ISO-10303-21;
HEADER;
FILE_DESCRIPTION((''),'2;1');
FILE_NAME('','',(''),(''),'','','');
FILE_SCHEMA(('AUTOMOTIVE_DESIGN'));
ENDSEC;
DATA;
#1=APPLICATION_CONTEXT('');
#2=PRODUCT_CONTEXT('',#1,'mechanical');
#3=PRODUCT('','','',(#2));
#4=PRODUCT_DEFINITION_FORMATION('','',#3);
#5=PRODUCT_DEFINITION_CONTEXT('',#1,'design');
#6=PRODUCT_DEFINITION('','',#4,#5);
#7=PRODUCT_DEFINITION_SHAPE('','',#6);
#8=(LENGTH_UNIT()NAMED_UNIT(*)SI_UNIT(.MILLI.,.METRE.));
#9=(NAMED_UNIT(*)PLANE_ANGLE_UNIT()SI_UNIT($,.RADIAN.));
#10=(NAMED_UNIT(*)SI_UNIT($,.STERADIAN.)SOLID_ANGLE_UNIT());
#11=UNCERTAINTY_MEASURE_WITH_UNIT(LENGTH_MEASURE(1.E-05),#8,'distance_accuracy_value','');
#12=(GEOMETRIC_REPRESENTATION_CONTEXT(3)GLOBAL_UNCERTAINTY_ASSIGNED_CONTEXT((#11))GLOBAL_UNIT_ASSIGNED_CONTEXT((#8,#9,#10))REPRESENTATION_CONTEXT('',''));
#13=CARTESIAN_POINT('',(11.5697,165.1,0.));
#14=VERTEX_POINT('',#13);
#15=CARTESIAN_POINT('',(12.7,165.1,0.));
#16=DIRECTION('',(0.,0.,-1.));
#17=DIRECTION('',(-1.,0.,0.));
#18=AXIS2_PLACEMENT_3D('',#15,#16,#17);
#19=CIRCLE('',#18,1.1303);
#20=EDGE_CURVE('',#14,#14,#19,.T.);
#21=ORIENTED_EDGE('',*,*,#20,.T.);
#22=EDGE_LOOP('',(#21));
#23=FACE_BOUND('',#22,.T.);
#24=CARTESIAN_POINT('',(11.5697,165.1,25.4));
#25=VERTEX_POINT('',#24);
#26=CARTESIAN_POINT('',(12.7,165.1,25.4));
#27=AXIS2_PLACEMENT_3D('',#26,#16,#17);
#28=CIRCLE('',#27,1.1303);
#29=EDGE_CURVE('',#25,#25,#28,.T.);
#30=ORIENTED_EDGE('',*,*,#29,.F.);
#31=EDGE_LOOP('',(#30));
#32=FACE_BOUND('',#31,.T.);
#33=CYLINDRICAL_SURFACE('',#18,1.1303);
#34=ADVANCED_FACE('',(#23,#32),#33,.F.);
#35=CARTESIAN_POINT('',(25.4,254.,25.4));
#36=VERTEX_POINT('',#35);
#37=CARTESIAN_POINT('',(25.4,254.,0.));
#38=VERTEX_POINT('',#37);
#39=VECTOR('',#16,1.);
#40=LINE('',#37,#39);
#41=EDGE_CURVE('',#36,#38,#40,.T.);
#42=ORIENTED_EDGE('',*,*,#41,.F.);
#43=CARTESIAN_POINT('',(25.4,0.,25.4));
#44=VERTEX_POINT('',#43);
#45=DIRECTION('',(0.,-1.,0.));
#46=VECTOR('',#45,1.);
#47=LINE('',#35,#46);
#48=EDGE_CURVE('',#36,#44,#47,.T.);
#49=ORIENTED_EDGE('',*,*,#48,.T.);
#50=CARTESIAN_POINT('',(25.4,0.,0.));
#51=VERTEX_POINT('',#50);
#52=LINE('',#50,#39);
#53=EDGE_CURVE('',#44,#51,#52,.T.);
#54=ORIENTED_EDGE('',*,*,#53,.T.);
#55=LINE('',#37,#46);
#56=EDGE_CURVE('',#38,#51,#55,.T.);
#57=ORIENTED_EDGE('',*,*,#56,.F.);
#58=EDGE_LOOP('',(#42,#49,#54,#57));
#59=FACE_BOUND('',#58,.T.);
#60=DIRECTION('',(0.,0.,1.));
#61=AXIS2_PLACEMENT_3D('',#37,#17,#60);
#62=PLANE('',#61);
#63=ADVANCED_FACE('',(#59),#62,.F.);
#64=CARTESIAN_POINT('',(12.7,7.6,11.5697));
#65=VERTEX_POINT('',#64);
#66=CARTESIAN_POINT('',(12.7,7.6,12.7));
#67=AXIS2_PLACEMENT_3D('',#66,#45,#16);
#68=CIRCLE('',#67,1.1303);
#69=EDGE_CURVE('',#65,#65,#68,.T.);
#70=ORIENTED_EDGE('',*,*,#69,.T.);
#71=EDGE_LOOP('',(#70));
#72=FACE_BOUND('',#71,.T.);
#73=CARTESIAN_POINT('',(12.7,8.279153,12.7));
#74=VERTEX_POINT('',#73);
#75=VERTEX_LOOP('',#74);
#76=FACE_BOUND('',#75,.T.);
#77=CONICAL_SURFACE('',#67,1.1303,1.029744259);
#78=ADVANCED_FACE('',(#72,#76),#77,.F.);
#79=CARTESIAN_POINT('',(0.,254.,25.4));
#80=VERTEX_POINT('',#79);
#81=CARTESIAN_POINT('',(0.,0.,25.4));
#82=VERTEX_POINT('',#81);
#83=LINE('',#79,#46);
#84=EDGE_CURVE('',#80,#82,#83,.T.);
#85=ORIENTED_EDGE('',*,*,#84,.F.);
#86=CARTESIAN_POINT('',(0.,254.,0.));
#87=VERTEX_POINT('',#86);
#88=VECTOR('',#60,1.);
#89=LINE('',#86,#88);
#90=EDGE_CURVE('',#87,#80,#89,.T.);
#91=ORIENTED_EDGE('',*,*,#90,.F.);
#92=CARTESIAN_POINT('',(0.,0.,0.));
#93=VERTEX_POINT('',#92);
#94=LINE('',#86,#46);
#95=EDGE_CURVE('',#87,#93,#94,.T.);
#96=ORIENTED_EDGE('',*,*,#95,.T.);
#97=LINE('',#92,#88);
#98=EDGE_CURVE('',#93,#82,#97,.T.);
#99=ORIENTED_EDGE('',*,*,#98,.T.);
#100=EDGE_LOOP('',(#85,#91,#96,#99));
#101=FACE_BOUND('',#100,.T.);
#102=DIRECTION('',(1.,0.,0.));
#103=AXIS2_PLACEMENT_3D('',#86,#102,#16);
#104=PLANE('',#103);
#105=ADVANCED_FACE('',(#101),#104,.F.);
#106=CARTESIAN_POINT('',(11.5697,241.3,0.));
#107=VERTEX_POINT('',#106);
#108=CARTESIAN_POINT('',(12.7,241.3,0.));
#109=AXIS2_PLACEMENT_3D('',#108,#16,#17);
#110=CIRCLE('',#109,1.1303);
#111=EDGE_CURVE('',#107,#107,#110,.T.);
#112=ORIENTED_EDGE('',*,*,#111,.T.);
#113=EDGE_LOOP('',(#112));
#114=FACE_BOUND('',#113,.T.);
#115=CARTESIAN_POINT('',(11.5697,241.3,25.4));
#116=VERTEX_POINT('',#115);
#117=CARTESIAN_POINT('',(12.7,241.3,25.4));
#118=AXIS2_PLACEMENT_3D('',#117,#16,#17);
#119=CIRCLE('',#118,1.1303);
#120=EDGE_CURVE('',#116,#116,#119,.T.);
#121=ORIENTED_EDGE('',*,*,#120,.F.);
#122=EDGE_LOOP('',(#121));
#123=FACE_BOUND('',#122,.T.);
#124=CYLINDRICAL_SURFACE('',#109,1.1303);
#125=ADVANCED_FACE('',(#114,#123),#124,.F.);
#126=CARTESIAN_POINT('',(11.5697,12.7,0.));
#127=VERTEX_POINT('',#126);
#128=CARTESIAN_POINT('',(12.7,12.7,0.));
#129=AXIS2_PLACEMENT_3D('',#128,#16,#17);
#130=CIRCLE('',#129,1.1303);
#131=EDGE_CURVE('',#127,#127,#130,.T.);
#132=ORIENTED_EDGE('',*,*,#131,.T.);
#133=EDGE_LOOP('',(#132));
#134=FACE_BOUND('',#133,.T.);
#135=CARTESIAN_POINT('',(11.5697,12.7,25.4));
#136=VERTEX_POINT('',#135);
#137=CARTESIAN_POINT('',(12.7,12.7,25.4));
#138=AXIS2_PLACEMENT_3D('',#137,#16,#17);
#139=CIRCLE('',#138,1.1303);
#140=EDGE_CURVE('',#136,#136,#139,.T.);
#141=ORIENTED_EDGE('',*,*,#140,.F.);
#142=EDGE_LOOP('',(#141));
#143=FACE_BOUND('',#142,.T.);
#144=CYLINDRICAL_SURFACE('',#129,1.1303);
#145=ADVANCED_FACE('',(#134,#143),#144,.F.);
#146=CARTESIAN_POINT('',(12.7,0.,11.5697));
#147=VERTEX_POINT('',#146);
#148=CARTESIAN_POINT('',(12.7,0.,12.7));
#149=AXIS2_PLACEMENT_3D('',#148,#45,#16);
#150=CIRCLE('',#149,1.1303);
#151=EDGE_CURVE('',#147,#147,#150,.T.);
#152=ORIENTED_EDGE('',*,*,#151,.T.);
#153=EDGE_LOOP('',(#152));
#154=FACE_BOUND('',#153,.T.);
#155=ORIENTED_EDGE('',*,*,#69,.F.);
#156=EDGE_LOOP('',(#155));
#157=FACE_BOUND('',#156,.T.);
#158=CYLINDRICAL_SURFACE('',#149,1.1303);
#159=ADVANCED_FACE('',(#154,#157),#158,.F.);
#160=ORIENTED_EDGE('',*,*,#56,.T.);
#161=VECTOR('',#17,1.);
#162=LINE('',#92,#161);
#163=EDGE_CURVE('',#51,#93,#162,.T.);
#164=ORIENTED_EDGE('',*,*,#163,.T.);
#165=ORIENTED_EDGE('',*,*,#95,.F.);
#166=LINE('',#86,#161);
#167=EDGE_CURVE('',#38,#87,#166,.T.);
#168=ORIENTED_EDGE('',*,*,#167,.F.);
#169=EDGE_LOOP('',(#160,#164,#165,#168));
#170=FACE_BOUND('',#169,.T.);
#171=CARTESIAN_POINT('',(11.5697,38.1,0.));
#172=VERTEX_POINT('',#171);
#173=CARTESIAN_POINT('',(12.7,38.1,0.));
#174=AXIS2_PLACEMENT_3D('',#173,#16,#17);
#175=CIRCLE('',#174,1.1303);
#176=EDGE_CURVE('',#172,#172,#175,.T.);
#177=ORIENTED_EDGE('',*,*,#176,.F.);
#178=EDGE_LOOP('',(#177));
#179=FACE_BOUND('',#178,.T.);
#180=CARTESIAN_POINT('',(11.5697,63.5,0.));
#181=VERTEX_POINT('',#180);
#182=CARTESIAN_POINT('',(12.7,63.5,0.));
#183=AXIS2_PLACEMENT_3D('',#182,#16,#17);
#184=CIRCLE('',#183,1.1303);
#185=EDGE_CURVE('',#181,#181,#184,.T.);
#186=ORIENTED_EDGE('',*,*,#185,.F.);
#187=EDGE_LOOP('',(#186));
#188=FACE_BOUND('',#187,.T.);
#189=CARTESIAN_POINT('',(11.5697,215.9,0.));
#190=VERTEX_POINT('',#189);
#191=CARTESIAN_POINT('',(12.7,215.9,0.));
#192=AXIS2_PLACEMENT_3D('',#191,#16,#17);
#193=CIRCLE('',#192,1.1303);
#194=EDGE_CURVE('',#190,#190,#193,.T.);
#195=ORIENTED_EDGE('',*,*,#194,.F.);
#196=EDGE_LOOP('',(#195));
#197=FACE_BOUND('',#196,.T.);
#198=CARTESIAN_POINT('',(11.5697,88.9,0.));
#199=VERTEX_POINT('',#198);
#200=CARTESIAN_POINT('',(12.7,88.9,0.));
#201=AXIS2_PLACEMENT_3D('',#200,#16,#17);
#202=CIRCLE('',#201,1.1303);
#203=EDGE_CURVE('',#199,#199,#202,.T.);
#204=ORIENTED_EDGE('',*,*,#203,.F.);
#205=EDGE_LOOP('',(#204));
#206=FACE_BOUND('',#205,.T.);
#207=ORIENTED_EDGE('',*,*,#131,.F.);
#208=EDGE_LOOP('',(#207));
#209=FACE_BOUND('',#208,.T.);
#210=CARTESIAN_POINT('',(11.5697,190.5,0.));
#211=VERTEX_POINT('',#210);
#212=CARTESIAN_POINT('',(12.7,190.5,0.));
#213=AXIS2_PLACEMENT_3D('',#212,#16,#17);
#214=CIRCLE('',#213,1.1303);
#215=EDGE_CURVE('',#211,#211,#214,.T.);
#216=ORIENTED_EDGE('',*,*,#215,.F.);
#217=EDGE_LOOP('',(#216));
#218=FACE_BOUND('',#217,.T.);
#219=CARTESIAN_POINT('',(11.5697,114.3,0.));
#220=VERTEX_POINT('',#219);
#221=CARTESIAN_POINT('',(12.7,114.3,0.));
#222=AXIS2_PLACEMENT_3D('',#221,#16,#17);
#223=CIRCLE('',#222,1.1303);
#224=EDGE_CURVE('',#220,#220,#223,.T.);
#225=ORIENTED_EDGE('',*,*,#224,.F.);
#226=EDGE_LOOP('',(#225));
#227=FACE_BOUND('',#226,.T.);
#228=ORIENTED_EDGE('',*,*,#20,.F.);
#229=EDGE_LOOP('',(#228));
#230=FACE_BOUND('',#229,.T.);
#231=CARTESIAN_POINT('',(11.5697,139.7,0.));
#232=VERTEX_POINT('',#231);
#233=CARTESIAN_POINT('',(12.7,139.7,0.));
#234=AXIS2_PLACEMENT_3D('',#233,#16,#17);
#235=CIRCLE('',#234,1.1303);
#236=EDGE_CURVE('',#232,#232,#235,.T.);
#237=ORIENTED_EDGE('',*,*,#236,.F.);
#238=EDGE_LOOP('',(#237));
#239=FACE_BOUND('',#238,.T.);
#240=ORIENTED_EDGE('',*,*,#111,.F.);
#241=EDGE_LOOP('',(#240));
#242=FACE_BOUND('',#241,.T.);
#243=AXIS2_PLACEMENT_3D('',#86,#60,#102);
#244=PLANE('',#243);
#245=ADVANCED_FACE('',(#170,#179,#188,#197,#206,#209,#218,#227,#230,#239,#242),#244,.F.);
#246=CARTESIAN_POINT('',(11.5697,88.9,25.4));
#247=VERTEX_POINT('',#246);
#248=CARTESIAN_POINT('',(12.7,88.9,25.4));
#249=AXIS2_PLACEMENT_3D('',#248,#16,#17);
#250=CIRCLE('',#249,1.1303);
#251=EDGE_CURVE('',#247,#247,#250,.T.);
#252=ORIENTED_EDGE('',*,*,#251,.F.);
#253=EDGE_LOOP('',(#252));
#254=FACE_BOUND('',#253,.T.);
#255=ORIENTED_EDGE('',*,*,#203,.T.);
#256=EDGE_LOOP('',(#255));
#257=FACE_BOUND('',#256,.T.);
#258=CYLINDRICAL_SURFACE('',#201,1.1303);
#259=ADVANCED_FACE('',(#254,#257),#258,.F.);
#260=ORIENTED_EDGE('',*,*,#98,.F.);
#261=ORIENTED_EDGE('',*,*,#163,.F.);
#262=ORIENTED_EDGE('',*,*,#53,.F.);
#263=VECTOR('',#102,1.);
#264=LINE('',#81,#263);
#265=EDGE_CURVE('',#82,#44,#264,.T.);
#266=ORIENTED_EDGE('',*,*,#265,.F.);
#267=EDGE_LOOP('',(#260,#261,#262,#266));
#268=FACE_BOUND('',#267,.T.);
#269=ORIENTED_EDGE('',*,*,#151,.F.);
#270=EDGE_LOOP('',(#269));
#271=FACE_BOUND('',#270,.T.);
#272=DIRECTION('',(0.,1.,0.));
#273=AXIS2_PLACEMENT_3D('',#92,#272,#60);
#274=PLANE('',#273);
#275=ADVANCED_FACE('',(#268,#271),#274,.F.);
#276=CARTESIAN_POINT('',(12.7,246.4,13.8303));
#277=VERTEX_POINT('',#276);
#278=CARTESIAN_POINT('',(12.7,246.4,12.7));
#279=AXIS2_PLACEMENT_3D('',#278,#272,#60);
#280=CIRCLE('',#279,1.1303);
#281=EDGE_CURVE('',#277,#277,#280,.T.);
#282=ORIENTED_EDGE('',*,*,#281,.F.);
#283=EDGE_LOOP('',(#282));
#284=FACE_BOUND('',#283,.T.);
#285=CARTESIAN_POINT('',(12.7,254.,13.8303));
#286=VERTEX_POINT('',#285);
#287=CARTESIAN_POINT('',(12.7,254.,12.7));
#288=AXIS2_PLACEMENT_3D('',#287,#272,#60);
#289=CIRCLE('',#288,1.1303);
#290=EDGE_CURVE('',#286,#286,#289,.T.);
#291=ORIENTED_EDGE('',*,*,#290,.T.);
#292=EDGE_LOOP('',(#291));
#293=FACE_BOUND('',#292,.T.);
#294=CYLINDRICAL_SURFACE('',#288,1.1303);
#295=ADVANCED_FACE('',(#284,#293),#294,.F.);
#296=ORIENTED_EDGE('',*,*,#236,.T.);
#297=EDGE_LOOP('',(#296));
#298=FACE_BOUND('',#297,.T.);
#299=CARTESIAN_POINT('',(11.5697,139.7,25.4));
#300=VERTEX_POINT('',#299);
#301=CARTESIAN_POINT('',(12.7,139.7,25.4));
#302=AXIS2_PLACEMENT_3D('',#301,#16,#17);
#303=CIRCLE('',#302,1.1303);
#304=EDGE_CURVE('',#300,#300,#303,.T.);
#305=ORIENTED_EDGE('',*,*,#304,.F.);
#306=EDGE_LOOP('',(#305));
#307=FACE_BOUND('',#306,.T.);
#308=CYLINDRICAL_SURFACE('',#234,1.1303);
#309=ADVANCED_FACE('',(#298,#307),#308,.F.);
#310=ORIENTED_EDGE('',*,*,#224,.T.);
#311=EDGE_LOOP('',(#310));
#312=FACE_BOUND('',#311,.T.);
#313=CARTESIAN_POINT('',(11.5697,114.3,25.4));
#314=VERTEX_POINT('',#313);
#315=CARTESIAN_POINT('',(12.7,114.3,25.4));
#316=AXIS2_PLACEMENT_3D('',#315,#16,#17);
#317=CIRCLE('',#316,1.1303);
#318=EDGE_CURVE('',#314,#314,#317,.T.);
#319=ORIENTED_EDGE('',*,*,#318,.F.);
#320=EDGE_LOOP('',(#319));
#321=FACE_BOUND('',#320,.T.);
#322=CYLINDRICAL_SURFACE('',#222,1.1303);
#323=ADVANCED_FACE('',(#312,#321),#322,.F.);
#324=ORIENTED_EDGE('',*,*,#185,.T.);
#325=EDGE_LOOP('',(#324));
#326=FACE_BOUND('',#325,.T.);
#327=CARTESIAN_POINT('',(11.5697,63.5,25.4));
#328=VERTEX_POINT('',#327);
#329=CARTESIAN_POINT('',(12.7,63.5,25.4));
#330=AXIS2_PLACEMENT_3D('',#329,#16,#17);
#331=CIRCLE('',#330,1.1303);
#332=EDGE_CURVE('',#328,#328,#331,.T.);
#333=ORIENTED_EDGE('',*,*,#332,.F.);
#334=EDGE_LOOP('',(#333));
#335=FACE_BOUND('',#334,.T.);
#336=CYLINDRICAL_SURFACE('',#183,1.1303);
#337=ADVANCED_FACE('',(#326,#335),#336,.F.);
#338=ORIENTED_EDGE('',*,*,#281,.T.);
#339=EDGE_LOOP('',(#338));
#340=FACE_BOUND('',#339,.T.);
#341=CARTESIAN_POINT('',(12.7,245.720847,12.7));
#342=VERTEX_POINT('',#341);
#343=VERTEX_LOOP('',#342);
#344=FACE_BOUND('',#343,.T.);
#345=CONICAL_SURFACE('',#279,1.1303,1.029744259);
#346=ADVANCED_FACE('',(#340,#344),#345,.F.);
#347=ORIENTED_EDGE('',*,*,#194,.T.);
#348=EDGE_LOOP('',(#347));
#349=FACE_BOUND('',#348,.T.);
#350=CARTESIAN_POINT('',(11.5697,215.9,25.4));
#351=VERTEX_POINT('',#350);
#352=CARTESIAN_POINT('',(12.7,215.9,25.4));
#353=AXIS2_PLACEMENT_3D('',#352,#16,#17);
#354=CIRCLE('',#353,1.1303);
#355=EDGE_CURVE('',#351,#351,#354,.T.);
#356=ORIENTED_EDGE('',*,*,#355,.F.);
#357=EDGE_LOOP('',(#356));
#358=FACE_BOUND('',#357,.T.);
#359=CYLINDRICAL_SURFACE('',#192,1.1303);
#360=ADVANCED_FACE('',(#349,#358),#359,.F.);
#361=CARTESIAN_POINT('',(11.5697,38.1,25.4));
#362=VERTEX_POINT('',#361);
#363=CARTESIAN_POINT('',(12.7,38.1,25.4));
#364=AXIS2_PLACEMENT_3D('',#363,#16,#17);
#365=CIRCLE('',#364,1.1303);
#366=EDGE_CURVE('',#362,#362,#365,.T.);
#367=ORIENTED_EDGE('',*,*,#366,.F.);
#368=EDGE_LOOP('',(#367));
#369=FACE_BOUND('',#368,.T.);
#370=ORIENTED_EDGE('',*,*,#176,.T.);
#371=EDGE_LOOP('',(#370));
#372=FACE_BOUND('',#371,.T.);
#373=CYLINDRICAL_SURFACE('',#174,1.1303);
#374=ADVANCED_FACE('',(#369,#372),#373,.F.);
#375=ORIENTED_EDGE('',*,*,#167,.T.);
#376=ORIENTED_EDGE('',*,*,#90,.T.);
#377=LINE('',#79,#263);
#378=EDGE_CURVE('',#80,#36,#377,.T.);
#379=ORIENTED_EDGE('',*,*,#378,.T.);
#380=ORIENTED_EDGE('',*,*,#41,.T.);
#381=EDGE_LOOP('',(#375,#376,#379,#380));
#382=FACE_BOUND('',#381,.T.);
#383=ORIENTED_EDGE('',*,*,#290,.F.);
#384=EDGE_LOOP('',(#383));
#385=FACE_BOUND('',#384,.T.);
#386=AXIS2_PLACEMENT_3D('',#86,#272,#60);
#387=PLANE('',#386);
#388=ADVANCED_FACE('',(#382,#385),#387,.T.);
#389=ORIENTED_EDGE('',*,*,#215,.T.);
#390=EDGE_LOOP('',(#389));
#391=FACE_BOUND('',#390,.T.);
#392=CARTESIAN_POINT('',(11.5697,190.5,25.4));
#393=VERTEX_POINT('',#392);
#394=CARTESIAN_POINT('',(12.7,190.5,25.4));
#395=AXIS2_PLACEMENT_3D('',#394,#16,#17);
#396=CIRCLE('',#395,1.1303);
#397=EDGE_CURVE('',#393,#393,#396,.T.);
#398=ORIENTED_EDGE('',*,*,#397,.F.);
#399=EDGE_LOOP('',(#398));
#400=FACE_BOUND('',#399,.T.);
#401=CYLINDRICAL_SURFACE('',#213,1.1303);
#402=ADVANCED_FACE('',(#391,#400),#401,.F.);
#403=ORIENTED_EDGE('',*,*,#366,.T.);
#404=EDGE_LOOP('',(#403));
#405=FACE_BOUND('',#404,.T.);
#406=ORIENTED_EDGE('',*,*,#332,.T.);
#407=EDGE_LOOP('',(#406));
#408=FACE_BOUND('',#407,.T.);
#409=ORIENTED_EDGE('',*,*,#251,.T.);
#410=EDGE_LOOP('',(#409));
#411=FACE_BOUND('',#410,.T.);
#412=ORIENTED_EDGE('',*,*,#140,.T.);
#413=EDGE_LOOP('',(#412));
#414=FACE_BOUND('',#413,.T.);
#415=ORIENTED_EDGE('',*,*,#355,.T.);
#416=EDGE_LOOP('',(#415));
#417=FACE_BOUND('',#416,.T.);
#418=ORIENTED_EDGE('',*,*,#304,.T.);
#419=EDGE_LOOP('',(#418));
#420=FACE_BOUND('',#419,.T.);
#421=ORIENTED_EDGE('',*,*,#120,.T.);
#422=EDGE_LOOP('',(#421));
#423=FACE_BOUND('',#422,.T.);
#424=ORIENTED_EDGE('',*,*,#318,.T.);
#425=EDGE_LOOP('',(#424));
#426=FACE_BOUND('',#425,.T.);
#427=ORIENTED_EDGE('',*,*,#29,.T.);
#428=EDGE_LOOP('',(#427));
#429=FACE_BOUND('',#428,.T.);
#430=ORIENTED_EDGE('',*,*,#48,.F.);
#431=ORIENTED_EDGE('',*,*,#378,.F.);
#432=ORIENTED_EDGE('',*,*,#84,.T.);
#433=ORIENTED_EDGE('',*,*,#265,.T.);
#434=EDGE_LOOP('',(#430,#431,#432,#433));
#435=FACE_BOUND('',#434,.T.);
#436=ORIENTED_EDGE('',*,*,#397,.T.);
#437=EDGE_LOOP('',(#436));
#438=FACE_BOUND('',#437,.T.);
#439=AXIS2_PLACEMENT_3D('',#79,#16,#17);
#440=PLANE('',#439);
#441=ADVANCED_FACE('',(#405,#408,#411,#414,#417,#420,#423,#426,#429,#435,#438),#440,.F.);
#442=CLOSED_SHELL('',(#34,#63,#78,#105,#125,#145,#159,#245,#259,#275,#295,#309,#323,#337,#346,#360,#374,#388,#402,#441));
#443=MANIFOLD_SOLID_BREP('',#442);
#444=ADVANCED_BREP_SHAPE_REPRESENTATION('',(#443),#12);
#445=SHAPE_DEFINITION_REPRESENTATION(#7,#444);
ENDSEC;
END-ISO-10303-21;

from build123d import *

# Parameters (mm, degrees)
SKETCH1_W                           = 25.4
SKETCH1_H                           = 25.4
BOSS_EXTRUDE1_DEPTH                 = 254
F_4_40_TAPPED_HOLE1_D               = 2.2606
F_4_40_TAPPED_HOLE1_DEPTH           = 7.6
F_4_40_TAPPED_HOLE1_TIP             = 0.679152758
F_4_40_TAPPED_HOLE1_ON_FACE_2_D     = 2.2606
F_4_40_TAPPED_HOLE1_ON_FACE_2_DEPTH = 7.6
F_4_40_TAPPED_HOLE1_ON_FACE_2_TIP   = 0.679152758
F_4_40_TAPPED_HOLE2_D               = 2.2606
LPATTERN1_COUNT                     = 10
LPATTERN1_PITCH                     = 25.4


with BuildPart() as part:
    # Sketch1 → Boss-Extrude1 (new body)
    with BuildSketch(Plane(origin=(0, 0, 0), x_dir=(1, 0, 0), z_dir=(0, 1, 0))):
        with Locations((12.7, -12.7)):
            Rectangle(SKETCH1_W, SKETCH1_H)
    extrude(amount=BOSS_EXTRUDE1_DEPTH)

    # #4-40 Tapped Hole1
    with Locations(Plane(origin=(12.7, 254, 12.7), x_dir=(0, 0, 1), z_dir=(0, 1, 0))):
        with Locations((0, 0)):
            Hole(F_4_40_TAPPED_HOLE1_D / 2, depth=F_4_40_TAPPED_HOLE1_DEPTH)
            with Locations((0, 0, -(F_4_40_TAPPED_HOLE1_DEPTH + F_4_40_TAPPED_HOLE1_TIP / 2))):  # 118° drill point
                Cone(0, F_4_40_TAPPED_HOLE1_D / 2, F_4_40_TAPPED_HOLE1_TIP, mode=Mode.SUBTRACT)

    # #4-40 Tapped Hole1 on face 2
    with Locations(Plane(origin=(12.7, 0, 12.7), x_dir=(0, 0, -1), z_dir=(0, -1, 0))):
        with Locations((0, 0)):
            Hole(F_4_40_TAPPED_HOLE1_ON_FACE_2_D / 2, depth=F_4_40_TAPPED_HOLE1_ON_FACE_2_DEPTH)
            with Locations((0, 0, -(F_4_40_TAPPED_HOLE1_ON_FACE_2_DEPTH + F_4_40_TAPPED_HOLE1_ON_FACE_2_TIP / 2))):  # 118° drill point
                Cone(0, F_4_40_TAPPED_HOLE1_ON_FACE_2_D / 2, F_4_40_TAPPED_HOLE1_ON_FACE_2_TIP, mode=Mode.SUBTRACT)

    # #4-40 Tapped Hole2 (through all)
    with Locations(Plane(origin=(12.7, 241.3, 0), x_dir=(-1, 0, 0), z_dir=(0, 0, -1))):
        with Locations((0, 0)):
            f_4_40_tapped_hole2 = Hole(F_4_40_TAPPED_HOLE2_D / 2)

    # LPattern1: #4-40 Tapped Hole2 ×10
    with Locations(*[(0, -i * LPATTERN1_PITCH, 0) for i in range(1, LPATTERN1_COUNT)]):
        add(f_4_40_tapped_hole2, mode=Mode.SUBTRACT)


solid = part.part
